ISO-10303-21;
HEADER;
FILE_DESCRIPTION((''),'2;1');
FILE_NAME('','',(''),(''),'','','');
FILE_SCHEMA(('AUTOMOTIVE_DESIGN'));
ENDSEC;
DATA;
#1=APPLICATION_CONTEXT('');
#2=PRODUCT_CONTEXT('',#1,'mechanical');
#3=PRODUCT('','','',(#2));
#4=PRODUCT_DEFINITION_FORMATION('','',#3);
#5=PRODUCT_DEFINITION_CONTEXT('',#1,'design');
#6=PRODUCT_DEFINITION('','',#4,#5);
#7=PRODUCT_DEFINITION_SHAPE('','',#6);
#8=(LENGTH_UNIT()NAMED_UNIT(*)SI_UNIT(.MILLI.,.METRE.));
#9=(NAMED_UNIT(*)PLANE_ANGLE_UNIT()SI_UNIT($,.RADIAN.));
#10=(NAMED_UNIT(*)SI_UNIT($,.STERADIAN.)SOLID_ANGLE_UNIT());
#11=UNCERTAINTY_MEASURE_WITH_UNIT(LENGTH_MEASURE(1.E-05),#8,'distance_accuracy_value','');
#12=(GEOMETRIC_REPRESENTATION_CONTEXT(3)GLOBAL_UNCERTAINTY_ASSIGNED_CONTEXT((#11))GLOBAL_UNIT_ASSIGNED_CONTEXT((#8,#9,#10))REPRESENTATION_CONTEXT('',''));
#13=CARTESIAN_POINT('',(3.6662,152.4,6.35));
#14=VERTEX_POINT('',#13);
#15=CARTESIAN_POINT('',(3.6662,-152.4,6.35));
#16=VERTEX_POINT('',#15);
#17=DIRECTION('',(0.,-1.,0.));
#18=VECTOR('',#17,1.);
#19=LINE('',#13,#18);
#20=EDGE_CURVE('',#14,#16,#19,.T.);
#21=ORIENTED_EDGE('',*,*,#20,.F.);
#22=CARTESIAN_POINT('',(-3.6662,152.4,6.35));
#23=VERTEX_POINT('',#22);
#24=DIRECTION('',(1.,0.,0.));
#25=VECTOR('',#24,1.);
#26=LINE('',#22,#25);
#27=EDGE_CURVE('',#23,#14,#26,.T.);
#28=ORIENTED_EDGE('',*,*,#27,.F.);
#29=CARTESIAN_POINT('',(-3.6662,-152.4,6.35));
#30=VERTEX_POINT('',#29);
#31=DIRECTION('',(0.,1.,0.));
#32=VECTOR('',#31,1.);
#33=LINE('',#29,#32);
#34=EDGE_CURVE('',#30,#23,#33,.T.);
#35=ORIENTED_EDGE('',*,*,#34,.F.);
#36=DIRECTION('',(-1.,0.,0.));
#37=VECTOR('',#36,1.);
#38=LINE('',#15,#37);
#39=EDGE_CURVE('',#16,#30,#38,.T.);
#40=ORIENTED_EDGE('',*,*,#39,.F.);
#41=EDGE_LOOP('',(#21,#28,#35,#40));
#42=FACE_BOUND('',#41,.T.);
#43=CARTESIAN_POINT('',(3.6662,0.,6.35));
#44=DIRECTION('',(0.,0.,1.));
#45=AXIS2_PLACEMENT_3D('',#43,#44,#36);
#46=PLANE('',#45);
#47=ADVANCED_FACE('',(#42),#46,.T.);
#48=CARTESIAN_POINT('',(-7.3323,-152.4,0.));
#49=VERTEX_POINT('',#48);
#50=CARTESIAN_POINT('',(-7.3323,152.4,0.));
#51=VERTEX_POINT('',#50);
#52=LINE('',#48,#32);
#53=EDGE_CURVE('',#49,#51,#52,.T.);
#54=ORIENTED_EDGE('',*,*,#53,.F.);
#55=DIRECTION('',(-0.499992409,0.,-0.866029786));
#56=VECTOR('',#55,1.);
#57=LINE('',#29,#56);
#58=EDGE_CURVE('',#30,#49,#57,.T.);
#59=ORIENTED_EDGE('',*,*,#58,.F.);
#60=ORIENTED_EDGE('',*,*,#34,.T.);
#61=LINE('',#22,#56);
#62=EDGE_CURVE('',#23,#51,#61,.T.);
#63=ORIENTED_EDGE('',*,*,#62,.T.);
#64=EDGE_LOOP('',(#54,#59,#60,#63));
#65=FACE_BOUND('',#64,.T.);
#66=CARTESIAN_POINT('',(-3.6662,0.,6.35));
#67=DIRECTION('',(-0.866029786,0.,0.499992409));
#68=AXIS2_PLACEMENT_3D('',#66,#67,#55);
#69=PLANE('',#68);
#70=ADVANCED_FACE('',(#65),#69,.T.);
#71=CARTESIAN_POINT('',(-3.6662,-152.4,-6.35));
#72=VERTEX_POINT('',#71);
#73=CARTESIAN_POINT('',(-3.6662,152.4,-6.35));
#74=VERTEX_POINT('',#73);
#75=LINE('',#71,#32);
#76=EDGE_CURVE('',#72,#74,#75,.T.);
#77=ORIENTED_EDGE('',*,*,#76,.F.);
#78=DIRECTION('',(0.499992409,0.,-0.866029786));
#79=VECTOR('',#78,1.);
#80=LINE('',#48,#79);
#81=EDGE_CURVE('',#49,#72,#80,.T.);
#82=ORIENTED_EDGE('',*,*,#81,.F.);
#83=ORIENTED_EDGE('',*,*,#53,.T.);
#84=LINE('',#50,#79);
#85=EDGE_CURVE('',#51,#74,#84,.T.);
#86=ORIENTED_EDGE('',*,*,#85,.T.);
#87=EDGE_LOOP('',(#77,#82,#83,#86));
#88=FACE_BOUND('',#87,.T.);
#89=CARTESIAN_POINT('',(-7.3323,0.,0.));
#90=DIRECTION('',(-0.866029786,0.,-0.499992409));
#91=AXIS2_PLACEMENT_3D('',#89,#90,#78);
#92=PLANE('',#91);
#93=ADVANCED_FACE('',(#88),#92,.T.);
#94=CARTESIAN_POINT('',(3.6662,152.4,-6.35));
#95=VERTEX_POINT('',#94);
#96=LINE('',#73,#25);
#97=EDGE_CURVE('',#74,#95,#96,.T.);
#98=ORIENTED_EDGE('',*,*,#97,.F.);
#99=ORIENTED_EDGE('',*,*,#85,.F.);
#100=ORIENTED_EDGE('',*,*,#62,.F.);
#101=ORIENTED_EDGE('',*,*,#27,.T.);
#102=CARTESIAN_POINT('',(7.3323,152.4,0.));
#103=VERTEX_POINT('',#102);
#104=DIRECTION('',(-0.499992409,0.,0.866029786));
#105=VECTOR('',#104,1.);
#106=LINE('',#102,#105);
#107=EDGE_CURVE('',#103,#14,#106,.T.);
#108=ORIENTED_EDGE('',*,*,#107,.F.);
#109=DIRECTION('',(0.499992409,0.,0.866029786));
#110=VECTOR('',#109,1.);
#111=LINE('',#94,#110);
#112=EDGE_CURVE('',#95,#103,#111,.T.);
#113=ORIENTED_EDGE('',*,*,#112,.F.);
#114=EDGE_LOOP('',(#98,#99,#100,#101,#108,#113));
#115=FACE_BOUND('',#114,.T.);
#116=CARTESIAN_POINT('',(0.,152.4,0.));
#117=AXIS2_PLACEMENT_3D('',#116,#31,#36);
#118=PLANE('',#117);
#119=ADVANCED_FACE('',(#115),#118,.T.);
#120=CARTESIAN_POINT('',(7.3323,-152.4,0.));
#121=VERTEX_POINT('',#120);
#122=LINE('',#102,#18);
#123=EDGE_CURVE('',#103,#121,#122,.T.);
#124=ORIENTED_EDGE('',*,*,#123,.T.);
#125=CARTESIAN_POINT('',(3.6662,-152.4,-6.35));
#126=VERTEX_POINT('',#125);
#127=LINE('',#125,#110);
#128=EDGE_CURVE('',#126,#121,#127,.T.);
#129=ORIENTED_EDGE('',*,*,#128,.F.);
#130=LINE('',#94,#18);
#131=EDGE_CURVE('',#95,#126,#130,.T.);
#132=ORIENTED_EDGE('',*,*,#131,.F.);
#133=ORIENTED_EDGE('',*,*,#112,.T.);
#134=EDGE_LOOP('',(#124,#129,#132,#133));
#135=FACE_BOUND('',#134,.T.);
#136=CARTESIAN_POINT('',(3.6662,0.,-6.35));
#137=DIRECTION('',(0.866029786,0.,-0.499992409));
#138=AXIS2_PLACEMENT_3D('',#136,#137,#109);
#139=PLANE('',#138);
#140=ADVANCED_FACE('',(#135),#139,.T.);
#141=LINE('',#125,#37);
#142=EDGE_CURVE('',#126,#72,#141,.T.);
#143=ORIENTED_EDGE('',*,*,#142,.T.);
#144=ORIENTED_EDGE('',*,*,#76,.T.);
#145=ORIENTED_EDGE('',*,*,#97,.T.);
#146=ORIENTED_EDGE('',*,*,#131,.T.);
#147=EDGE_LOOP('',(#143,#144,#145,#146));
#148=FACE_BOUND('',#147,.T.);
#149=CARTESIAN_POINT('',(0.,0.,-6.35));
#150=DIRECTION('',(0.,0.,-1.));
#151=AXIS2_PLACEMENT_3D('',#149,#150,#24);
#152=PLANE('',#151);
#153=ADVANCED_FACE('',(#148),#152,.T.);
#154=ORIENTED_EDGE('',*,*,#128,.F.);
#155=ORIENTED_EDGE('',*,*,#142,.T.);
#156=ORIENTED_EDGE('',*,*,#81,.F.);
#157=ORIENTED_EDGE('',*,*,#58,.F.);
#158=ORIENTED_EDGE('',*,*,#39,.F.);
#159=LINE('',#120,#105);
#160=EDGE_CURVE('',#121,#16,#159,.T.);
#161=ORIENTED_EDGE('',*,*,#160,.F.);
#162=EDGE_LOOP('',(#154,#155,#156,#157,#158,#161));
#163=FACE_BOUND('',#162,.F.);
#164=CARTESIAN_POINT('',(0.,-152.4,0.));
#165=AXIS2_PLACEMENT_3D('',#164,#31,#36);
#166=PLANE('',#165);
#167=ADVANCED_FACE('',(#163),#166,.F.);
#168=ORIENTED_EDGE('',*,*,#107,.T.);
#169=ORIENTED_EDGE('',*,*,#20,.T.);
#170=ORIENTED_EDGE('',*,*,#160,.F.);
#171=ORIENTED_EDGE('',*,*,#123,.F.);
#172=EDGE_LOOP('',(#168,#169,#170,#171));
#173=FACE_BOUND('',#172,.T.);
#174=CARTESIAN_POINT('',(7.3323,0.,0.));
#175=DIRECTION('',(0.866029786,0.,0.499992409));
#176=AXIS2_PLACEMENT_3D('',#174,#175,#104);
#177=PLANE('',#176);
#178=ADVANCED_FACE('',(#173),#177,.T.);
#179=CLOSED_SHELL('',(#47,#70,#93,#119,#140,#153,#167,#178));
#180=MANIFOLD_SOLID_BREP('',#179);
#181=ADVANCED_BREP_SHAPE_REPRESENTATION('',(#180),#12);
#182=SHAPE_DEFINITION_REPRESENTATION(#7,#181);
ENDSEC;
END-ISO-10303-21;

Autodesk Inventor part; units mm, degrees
ref_plane "YZ Plane" through (0, 0, 0) normal (1, 0, 0) x (0, 1, 0)
ref_plane "XZ Plane" through (0, 0, 0) normal (0, 1, 0) x (-1, 0, 0)
ref_plane "XY Plane" through (0, 0, 0) normal (0, 0, 1) x (1, 0, 0)
sketch "Sketch1" plane through (0, 0, 0) normal (0, 1, 0) x (-1, 0, 0)
  line L0 (0, -8.89) -> (0, 8.89) projected
  line L1 (-10.2653, 0) -> (10.2653, 0) projected
  line L2 (10.2653, 0) -> (-10.2653, 0) projected
  line L3 (0, -8.89) -> (0, 8.89) projected
  line L4 (-7.3323, 0) -> (-3.6662, 6.35)
  line L5 (-3.6662, 6.35) -> (3.6662, 6.35)
  line L6 (3.6662, 6.35) -> (7.3323, 0)
  line L7 (7.3323, 0) -> (3.6662, -6.35)
  line L8 (3.6662, -6.35) -> (-3.6662, -6.35)
  line L9 (-3.6662, -6.35) -> (-7.3323, 0)
  point P0 (0, 0)
  point P1 (0, 0)
  dimension "d3" = 12.7
extrude "Extrusion1" add sketch "Sketch1" along normal mid plane 304.8
properties part number "HexShaft12in"
